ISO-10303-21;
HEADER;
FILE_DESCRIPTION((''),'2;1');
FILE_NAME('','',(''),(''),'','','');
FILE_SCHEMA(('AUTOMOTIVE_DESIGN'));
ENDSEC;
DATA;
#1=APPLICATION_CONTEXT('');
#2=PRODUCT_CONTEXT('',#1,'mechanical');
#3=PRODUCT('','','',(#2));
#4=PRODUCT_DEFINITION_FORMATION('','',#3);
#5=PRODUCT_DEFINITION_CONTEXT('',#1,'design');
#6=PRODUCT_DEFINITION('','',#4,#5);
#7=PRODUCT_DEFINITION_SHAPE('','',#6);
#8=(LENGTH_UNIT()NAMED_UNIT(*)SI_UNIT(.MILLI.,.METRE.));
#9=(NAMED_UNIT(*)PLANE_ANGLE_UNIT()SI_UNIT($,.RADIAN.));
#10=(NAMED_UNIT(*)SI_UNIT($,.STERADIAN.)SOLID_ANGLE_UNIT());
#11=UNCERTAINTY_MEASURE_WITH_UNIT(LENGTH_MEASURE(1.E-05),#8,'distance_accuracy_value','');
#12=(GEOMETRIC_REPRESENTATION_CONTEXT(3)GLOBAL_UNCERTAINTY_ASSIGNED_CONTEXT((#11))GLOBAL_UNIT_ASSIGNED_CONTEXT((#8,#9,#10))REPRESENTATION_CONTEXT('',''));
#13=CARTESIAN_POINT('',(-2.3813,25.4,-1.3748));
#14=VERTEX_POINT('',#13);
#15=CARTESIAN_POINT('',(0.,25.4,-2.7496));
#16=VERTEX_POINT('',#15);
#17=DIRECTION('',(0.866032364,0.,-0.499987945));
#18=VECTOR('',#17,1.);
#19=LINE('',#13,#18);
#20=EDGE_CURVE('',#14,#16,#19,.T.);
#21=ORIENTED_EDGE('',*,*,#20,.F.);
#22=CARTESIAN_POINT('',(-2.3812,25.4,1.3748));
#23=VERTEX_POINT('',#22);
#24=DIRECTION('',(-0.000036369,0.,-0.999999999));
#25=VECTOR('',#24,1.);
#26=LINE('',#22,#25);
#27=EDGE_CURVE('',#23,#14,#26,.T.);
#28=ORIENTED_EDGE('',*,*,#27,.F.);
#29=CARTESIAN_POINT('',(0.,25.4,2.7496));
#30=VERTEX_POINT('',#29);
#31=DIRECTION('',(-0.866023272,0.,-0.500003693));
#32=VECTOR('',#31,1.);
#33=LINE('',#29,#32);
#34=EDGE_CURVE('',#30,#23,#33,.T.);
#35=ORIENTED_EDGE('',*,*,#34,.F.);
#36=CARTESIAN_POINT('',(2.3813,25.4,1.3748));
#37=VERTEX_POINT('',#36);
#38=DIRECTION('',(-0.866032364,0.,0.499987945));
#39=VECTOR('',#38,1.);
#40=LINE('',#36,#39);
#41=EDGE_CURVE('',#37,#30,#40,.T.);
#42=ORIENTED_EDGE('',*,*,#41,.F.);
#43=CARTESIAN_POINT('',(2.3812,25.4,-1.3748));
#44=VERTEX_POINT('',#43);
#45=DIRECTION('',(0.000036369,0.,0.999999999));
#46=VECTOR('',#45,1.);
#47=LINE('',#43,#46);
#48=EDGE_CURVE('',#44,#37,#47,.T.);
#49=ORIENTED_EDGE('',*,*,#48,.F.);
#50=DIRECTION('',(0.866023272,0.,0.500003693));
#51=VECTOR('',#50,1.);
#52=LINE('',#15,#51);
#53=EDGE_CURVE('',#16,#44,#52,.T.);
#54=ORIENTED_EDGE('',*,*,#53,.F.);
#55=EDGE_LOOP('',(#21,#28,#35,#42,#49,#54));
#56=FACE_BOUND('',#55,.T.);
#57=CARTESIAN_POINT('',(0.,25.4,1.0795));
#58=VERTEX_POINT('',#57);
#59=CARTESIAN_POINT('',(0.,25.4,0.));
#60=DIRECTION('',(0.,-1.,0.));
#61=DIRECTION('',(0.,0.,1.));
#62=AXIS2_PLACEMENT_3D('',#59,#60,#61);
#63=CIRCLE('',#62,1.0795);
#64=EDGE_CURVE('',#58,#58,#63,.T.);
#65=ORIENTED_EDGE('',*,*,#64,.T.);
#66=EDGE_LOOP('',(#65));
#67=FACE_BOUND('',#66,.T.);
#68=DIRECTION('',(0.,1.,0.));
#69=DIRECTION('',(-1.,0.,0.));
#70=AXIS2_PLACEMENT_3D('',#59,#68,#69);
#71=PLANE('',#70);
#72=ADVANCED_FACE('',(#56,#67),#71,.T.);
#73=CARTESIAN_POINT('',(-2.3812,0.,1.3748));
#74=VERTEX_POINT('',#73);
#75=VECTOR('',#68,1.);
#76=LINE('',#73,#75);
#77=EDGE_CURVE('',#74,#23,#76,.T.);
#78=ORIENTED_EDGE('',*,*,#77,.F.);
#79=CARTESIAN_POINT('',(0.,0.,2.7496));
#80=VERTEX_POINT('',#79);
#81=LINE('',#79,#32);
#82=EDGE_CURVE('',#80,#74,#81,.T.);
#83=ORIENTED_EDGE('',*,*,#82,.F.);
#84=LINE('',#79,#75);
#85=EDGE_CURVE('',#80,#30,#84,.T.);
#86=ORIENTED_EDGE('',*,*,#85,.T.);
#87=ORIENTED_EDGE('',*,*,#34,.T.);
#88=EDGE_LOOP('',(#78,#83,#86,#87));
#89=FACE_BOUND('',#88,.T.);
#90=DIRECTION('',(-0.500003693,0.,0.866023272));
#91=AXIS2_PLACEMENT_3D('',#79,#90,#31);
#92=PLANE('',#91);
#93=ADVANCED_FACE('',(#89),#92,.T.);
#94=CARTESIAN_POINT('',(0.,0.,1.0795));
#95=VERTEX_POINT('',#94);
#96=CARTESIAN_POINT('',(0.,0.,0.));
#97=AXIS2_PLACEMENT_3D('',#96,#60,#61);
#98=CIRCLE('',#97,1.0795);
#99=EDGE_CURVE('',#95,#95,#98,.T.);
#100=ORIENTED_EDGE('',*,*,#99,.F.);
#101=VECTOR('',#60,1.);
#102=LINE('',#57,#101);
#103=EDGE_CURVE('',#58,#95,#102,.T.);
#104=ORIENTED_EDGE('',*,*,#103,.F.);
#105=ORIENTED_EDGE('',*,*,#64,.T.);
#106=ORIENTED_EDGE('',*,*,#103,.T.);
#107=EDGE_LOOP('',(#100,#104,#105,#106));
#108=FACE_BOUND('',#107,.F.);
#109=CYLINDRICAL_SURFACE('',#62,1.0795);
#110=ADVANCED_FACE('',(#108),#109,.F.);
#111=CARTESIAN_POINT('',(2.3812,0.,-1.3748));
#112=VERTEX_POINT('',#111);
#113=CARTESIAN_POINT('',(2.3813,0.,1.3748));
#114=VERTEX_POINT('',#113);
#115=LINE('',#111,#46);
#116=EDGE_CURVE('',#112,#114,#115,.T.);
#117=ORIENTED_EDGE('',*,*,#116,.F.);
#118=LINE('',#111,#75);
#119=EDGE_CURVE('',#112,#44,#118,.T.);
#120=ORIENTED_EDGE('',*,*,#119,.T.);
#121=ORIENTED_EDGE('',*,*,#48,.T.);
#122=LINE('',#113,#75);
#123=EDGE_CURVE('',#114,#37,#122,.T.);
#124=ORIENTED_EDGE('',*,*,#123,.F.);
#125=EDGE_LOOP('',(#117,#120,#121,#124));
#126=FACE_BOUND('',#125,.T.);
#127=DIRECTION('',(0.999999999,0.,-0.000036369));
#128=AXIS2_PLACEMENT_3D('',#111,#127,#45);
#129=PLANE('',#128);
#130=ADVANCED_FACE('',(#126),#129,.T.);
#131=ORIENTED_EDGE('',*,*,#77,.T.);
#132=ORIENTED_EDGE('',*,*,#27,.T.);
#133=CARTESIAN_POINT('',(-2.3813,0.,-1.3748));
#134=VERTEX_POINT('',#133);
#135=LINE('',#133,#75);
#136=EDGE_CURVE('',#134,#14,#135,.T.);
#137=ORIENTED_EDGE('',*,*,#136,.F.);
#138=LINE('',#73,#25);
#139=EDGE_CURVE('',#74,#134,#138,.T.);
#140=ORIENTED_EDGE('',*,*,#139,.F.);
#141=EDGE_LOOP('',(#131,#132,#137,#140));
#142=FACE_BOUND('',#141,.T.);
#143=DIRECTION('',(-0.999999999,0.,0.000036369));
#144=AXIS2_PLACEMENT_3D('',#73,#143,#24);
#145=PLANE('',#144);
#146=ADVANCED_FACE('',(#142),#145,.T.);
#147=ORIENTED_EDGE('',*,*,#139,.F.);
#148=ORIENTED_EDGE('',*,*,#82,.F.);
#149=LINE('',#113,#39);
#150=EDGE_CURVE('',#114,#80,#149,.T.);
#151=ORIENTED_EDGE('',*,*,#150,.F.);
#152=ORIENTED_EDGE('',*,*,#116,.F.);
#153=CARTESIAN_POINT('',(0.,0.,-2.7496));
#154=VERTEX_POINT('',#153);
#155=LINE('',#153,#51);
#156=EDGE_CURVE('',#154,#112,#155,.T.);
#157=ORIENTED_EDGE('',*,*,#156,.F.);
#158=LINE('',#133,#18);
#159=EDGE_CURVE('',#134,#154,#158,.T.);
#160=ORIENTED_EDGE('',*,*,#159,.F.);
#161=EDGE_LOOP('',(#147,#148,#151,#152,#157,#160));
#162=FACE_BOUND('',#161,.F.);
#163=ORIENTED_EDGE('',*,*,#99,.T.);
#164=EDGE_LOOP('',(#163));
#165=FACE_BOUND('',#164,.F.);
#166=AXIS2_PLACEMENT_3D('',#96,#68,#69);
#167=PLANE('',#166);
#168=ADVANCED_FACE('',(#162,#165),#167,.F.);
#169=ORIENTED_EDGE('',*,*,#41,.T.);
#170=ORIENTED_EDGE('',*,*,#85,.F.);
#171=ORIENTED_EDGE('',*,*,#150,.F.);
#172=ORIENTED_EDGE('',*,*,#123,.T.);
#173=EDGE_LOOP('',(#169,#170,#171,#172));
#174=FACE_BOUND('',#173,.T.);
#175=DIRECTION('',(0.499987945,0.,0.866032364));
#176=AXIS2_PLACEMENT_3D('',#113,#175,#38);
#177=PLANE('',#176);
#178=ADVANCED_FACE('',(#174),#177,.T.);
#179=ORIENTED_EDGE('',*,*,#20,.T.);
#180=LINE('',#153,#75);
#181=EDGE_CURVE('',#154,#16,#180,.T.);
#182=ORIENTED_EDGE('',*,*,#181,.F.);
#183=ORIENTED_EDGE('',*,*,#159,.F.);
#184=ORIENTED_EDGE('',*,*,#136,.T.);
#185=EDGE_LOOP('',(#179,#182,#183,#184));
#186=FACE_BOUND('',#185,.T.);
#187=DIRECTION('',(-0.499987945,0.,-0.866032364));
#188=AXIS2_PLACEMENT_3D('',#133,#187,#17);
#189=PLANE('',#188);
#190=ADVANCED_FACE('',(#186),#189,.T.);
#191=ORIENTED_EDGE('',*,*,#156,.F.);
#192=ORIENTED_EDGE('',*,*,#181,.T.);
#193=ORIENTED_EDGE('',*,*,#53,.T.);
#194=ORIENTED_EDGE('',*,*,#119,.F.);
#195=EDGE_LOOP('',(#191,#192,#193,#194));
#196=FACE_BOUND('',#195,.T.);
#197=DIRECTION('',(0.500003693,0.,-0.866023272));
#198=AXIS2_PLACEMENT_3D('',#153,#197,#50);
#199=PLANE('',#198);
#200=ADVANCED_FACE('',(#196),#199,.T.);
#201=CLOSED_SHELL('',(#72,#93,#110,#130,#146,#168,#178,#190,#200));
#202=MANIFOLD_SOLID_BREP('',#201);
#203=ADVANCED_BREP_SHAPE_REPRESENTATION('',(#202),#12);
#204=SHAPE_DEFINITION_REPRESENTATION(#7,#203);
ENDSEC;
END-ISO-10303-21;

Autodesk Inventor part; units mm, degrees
ref_plane "YZ Plane" through (0, 0, 0) normal (1, 0, 0) x (0, 1, 0)
ref_plane "XZ Plane" through (0, 0, 0) normal (0, 1, 0) x (-1, 0, 0)
ref_plane "XY Plane" through (0, 0, 0) normal (0, 0, 1) x (1, 0, 0)
sketch "Sketch1" plane through (0, 0, 0) normal (0, 1, 0) x (-1, 0, 0)
  line L0 (0, -2.7496) -> (-2.3812, -1.3748)
  line L1 (-2.3812, -1.3748) -> (-2.3813, 1.3748)
  line L2 (-2.3813, 1.3748) -> (0, 2.7496)
  line L3 (0, 2.7496) -> (2.3812, 1.3748)
  line L4 (2.3812, 1.3748) -> (2.3813, -1.3748)
  line L5 (2.3813, -1.3748) -> (0, -2.7496)
  point P0 (0, 0)
  point P1 (0, 0)
  dimension "d0" = 4.7625
extrude "Extrusion1" add sketch "Sketch1" along normal blind 25.4
sketch "Sketch2" plane through (0, 25.4, 0) normal (0, 1, 0) x (1, 0, 0)
  point P0 (0, 0)
  point P1 (0, 0)
hole "Hole1" at (0, 25.4, 0) direction (0, -1, 0) diameter 2.159 end through all
properties part number "standoff"
